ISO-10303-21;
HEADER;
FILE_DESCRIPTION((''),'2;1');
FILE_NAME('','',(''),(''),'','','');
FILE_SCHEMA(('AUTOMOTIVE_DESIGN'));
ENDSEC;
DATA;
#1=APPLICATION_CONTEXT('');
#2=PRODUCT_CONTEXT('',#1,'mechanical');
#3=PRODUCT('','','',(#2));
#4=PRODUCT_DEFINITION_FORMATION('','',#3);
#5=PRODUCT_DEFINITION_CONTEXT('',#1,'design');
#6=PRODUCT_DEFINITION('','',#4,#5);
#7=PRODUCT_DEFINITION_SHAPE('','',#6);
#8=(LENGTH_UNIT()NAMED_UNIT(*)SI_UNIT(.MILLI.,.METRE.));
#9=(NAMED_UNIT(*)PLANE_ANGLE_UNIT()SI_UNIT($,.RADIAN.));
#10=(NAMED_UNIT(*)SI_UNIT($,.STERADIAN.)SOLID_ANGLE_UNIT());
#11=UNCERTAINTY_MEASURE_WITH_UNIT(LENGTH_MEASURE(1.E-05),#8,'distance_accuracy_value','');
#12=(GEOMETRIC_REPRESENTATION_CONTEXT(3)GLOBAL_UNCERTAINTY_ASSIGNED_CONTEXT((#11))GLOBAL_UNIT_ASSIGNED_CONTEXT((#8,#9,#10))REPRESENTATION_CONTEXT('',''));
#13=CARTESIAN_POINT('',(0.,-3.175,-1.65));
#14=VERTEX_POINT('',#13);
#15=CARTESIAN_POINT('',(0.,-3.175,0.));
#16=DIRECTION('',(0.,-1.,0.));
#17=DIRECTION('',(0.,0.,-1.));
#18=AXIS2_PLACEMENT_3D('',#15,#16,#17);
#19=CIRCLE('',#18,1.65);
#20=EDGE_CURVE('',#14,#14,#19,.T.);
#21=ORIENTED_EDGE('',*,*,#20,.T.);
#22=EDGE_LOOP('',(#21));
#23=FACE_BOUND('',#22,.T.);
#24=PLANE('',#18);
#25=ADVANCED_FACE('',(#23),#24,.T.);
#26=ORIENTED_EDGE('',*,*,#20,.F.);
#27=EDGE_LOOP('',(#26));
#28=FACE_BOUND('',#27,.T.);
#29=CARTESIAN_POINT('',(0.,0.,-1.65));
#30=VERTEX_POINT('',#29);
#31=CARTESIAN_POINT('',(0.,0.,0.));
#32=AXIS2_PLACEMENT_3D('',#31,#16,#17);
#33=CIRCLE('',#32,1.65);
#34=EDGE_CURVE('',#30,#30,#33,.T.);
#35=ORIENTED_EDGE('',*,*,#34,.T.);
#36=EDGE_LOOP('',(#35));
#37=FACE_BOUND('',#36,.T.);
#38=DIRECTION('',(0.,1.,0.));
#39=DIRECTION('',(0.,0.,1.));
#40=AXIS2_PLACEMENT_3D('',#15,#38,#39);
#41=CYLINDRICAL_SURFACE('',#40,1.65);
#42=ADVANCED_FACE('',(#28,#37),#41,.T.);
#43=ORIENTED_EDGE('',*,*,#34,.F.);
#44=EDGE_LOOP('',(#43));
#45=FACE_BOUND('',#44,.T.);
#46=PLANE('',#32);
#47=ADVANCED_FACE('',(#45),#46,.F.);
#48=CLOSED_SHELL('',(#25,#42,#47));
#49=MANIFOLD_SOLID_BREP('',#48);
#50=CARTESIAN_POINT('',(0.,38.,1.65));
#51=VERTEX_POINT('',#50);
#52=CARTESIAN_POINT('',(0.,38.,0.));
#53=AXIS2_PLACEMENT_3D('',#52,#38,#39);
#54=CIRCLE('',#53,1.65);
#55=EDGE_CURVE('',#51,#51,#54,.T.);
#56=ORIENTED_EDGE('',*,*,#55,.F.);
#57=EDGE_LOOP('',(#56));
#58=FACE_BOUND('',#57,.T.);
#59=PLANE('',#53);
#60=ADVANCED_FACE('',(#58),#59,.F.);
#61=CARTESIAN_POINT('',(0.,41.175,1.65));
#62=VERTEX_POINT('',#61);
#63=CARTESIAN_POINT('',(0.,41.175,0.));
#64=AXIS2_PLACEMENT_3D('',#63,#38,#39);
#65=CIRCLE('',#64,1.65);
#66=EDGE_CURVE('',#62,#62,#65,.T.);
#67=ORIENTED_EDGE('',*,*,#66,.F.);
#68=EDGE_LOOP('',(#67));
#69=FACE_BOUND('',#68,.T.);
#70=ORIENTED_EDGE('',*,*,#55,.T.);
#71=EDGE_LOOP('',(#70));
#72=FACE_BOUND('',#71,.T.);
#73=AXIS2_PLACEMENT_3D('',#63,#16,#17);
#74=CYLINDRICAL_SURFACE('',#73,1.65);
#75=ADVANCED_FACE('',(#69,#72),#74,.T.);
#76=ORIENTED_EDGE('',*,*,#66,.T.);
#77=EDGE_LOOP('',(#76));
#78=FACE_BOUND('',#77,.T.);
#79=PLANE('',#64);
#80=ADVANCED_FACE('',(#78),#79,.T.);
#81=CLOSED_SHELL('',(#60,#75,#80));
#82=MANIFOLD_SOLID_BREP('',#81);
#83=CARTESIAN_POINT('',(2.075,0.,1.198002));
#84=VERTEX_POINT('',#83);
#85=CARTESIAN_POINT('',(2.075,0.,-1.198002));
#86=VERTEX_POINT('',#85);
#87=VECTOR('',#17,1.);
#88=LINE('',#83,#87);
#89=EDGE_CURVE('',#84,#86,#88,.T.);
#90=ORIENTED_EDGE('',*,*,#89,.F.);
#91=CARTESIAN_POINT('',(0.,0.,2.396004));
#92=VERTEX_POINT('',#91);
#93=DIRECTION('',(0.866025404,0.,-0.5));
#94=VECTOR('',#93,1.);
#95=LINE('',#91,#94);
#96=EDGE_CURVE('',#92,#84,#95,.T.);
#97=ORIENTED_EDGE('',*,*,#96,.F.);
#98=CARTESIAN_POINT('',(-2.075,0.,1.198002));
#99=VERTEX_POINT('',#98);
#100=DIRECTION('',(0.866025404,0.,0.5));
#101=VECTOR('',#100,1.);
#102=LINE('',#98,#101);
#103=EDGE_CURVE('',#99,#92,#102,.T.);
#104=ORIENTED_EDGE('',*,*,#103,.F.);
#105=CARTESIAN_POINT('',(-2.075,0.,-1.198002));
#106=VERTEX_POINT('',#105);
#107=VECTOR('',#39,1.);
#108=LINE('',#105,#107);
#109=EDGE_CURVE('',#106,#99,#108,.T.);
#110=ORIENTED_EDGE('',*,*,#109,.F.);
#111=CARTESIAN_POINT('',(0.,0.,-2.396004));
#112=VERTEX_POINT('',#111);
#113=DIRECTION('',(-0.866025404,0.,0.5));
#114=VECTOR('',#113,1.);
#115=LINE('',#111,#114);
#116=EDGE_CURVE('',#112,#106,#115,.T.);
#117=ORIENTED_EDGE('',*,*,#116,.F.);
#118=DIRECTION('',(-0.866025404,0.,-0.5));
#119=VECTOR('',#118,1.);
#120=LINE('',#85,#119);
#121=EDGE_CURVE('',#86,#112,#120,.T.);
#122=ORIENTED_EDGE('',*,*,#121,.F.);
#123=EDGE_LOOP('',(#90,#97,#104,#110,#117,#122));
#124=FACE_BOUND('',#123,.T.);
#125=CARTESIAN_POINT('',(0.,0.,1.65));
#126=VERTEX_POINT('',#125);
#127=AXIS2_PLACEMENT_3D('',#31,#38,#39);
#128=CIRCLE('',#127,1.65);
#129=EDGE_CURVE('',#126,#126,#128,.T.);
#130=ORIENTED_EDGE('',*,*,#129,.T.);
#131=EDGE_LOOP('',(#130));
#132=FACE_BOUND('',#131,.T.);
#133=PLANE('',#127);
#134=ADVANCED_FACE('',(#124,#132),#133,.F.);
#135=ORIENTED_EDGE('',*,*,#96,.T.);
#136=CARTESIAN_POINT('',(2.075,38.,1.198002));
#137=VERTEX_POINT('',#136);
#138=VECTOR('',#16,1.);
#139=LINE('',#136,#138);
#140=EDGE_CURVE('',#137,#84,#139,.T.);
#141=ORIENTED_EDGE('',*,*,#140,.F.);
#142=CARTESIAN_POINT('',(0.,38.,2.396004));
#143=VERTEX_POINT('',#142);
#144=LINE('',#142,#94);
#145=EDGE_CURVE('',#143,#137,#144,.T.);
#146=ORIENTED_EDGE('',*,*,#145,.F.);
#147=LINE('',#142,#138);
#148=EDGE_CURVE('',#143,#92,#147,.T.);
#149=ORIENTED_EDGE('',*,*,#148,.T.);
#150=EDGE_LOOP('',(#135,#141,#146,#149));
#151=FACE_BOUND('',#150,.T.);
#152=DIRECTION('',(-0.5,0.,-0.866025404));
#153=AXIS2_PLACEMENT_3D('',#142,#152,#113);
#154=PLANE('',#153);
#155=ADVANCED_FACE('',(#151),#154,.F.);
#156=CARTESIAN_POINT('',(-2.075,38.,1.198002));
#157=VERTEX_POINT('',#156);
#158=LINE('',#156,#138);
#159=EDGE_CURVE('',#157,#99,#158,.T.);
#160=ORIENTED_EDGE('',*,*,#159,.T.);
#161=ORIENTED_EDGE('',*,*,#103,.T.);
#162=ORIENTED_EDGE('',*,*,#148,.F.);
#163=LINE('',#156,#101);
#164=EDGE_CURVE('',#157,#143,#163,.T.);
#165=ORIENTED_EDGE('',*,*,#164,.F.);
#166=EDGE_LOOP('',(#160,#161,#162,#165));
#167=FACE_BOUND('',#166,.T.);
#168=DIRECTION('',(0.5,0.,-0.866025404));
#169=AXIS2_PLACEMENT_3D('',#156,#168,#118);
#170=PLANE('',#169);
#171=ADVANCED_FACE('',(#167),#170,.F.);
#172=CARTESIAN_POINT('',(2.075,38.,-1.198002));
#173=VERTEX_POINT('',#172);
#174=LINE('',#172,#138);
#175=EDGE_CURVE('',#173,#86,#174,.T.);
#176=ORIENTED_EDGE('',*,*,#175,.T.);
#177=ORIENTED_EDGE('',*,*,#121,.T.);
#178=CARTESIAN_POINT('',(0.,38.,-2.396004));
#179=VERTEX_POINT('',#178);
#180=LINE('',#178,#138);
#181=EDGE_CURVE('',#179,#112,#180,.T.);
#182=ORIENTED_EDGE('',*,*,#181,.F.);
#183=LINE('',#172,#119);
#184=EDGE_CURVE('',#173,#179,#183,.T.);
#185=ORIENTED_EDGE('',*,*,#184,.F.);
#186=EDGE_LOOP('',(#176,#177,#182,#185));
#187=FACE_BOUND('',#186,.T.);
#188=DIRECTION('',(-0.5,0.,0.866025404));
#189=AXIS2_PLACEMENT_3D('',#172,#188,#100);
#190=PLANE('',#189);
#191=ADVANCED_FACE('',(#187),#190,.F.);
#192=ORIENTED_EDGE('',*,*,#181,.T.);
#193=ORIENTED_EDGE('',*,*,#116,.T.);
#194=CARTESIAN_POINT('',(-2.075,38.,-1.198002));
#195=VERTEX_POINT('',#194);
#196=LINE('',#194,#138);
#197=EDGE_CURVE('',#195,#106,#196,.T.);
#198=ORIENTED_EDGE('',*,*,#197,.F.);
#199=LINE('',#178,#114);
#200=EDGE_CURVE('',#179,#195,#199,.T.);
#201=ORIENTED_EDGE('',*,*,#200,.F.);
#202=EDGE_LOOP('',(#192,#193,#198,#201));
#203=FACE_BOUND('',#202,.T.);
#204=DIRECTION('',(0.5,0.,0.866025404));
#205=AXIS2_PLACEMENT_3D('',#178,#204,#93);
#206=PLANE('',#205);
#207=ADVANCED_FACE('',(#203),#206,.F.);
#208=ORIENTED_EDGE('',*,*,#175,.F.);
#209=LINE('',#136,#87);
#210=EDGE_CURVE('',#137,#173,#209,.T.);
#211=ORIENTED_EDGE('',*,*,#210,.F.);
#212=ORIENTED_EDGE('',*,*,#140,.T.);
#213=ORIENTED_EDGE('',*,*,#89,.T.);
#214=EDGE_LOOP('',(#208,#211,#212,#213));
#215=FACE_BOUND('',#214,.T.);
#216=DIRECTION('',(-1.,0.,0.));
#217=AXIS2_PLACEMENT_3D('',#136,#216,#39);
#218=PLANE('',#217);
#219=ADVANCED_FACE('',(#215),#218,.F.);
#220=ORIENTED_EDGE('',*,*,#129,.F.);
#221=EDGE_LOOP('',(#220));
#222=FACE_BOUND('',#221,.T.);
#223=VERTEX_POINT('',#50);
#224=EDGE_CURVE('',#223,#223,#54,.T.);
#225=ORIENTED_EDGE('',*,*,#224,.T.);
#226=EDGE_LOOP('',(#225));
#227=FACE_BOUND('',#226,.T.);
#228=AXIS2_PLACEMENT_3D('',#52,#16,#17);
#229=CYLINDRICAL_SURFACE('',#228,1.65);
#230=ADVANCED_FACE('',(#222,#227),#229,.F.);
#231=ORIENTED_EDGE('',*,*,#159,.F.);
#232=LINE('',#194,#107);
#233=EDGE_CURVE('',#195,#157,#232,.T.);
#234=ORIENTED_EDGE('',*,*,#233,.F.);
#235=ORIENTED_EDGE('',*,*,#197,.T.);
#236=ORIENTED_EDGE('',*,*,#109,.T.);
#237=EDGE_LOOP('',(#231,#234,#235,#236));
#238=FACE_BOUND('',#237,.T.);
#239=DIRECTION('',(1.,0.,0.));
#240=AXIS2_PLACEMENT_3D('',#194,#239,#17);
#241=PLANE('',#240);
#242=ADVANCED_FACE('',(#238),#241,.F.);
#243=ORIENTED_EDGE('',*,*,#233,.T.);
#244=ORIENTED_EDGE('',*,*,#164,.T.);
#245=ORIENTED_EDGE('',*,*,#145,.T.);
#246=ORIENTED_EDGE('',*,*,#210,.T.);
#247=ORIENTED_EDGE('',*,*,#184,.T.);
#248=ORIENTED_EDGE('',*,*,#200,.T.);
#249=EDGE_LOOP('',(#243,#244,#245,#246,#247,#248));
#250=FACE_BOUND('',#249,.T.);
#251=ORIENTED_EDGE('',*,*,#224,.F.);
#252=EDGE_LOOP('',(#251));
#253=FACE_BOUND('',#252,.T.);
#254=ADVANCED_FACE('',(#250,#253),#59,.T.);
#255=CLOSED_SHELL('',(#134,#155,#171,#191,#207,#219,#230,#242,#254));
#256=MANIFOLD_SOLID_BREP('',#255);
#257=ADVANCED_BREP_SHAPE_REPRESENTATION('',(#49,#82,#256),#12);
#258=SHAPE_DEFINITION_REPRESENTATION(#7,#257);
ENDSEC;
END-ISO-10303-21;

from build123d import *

# Parameters (mm, degrees)
SKETCH1_R           = 1.65
BOSS_EXTRUDE1_DEPTH = 38
SKETCH2_R           = 1.65
BOSS_EXTRUDE2_DEPTH = 3.175
SKETCH3_R           = 1.65
BOSS_EXTRUDE3_DEPTH = 3.175


with BuildPart() as part:
    # Sketch1 → Boss-Extrude1 (new body)
    with BuildSketch(Plane(origin=(0, 0, 0), x_dir=(1, 0, 0), z_dir=(0, 1, 0))):
        Polygon((0, -2.396003617), (2.075, -1.198001809), (2.075, 1.198001809), (0, 2.396003617), (-2.075, 1.198001809), (-2.075, -1.198001809), align=None)
        Circle(SKETCH1_R, mode=Mode.SUBTRACT)
    extrude(amount=BOSS_EXTRUDE1_DEPTH)


with BuildPart() as body_2:
    # Sketch2 → Boss-Extrude2 (new body)
    with BuildSketch(Plane.XZ):
        Circle(SKETCH2_R)
    extrude(amount=BOSS_EXTRUDE2_DEPTH)


with BuildPart() as body_3:
    # Sketch3 → Boss-Extrude3 (new body)
    with BuildSketch(Plane(origin=(0, 38, 0), x_dir=(1, 0, 0), z_dir=(0, 1, 0))):
        Circle(SKETCH3_R)
    extrude(amount=BOSS_EXTRUDE3_DEPTH)


solid = Compound([part.part, body_2.part, body_3.part])
